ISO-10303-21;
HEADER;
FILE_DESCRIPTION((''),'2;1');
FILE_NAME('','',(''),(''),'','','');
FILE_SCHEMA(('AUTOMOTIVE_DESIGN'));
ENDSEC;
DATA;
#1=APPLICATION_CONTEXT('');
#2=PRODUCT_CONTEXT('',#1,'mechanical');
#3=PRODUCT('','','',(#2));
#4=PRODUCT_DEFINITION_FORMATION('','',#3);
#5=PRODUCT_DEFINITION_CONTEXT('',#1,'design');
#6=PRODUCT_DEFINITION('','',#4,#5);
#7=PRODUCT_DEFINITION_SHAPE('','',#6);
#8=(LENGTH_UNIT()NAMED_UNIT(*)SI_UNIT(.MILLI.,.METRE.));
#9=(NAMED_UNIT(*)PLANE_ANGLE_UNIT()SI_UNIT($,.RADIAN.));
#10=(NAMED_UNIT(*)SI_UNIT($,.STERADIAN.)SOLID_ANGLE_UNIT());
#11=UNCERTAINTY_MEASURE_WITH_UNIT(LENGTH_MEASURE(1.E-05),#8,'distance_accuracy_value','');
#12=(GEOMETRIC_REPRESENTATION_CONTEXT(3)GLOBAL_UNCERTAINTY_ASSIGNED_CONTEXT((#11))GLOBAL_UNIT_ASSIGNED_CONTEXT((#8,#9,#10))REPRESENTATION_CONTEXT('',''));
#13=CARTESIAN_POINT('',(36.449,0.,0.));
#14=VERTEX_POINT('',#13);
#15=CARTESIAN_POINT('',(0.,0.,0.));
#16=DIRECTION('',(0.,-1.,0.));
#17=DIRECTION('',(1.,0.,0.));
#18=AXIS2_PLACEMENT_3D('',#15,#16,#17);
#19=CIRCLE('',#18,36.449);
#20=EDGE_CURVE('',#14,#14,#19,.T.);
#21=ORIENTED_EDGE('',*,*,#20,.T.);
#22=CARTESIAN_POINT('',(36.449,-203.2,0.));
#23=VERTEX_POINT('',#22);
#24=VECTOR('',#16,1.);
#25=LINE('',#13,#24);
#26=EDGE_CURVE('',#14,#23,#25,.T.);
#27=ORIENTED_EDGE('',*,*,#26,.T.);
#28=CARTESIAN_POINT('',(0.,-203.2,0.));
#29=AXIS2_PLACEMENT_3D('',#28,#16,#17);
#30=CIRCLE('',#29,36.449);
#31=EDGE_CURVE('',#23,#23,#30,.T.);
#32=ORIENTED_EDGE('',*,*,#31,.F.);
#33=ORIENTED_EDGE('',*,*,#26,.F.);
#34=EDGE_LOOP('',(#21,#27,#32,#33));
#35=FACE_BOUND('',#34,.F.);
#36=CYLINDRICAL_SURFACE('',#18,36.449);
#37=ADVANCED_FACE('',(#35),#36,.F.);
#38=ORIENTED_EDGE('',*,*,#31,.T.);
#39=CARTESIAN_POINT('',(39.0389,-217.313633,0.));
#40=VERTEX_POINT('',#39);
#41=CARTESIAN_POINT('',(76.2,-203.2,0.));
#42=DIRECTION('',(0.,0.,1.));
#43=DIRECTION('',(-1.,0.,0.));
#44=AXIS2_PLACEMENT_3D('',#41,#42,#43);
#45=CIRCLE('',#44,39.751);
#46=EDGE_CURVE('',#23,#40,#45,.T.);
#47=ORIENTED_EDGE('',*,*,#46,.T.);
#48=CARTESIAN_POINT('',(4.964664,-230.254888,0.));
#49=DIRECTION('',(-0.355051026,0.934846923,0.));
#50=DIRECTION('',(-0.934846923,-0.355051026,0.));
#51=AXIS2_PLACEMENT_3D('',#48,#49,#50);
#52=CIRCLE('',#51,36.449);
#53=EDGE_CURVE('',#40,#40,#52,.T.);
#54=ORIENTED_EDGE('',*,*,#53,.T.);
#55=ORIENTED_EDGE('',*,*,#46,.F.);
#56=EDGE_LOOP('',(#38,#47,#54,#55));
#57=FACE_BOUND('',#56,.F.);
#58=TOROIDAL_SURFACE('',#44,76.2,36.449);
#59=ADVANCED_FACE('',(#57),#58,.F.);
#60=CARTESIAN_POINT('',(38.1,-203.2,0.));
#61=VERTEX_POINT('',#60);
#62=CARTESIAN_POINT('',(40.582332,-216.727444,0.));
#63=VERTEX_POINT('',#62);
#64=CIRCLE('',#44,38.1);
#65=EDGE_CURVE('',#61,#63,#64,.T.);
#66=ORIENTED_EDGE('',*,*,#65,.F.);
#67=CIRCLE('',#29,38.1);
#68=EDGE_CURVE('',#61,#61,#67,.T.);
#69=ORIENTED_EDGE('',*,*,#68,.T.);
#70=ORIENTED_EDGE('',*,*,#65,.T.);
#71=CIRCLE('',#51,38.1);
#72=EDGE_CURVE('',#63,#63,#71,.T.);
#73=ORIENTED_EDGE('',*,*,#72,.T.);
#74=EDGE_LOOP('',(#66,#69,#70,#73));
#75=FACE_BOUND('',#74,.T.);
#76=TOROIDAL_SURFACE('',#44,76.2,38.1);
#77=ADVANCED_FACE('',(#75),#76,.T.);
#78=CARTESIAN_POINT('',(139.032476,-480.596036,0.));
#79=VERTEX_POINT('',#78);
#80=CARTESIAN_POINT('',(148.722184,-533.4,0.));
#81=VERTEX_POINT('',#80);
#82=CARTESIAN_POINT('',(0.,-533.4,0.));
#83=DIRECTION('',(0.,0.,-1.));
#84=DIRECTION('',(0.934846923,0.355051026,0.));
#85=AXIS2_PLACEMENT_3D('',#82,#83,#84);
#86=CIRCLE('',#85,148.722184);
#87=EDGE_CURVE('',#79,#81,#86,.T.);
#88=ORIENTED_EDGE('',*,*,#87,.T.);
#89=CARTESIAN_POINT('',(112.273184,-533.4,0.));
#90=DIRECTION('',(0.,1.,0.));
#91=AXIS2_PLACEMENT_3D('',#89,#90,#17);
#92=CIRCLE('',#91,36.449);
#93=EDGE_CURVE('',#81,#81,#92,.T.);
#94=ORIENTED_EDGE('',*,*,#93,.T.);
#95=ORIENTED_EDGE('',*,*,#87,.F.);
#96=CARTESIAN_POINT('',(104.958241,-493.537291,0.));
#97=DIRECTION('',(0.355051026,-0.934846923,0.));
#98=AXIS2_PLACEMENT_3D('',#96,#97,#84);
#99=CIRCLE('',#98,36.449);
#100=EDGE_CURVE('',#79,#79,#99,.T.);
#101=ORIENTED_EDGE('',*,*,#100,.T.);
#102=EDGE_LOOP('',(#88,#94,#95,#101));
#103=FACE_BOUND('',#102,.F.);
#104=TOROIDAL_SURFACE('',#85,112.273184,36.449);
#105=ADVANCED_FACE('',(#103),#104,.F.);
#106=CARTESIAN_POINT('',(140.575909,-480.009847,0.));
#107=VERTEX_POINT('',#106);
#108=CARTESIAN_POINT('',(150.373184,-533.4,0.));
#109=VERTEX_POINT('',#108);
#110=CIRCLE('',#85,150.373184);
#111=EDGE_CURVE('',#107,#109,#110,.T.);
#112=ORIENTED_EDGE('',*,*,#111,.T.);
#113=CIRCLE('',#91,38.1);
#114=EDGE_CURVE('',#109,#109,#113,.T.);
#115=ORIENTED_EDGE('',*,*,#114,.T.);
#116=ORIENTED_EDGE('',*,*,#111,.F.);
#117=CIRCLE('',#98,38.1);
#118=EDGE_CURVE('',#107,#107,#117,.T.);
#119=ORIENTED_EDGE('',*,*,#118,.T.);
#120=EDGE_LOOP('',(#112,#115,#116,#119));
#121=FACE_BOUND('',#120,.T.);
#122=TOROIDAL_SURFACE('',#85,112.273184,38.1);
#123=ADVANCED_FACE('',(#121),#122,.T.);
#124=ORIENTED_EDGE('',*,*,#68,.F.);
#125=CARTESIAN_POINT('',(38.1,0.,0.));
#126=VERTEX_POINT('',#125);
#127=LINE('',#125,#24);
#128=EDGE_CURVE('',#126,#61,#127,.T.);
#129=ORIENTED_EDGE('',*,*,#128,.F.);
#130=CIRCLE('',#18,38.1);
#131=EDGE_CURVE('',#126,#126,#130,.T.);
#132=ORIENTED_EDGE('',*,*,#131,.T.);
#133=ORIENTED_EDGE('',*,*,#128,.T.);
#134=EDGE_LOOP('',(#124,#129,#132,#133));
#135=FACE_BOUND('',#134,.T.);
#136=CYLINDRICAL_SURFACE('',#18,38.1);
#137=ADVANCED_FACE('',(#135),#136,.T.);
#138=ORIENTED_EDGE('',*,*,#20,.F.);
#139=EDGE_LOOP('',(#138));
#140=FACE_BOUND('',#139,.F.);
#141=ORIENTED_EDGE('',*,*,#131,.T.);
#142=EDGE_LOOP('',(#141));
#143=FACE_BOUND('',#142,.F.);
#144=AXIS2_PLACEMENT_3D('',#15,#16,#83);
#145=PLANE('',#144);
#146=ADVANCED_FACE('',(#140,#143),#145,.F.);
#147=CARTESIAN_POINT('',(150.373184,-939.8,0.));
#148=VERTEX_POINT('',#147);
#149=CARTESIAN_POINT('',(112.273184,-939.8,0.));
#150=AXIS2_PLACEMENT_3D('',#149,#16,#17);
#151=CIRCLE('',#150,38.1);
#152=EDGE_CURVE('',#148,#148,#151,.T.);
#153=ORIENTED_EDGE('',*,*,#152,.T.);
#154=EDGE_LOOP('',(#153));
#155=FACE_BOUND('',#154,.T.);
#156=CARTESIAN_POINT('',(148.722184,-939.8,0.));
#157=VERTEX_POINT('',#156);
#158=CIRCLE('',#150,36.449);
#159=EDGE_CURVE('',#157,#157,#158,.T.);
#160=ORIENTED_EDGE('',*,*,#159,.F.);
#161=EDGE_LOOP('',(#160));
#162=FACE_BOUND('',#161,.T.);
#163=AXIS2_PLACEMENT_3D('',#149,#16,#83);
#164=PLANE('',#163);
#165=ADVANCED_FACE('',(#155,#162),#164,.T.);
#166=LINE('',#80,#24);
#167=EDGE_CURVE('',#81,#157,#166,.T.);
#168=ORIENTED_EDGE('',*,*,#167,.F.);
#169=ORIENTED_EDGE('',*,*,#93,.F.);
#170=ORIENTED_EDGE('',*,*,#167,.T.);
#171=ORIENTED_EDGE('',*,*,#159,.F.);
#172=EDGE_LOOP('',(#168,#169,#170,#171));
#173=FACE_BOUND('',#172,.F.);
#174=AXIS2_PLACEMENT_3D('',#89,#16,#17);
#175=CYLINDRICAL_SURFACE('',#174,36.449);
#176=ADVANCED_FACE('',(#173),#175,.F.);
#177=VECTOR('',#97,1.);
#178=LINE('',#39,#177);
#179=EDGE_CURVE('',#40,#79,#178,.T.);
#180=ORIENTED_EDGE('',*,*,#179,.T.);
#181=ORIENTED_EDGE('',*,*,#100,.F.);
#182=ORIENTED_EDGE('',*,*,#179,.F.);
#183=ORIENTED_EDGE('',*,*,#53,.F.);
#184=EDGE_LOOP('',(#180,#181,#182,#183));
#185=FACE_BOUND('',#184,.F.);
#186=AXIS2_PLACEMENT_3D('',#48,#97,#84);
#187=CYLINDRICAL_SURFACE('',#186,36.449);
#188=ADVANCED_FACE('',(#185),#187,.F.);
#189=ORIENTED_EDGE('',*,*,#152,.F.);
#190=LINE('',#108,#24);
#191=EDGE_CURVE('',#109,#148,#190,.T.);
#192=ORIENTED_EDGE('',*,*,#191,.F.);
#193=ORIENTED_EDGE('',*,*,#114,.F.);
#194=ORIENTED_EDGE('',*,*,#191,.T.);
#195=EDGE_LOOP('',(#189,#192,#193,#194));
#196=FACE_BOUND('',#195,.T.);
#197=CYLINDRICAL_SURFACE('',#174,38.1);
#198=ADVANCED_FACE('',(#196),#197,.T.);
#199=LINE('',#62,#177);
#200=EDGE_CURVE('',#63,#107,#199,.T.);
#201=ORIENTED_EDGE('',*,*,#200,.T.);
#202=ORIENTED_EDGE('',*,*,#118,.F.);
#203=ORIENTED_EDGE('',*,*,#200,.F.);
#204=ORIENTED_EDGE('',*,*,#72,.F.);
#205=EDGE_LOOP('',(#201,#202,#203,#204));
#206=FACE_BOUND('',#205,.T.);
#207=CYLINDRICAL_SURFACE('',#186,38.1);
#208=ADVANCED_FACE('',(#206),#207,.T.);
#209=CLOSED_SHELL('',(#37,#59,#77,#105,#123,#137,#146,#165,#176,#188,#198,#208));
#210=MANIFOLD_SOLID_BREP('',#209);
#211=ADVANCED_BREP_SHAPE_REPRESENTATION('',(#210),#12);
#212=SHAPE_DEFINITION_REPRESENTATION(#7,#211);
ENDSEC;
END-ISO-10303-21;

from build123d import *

# Parameters (mm, degrees)
F0_R   = 38.1
F0_R_2 = 36.449


with BuildPart() as f2:
    # F2: sweep along a path in F1
    with BuildLine(Plane.XY) as f2_path:
        Line((0, 0), (0, -203.2))
        ThreePointArc((0, -203.2), (1.2514424201, -216.9533165705), (4.96466448, -230.25488816))
        Line((4.96466448, -230.25488816), (104.9582407787, -493.537290784))
        ThreePointArc((104.9582407787, -493.537290784), (110.4293072401, -513.1358445557), (112.2731842133, -533.4))
        Line((112.2731842133, -533.4), (112.2731842133, -939.8))
    # F0 (on Front) → F2 (sweep)
    with BuildSketch(Plane.XZ):
        Circle(F0_R)
        Circle(F0_R_2, mode=Mode.SUBTRACT)
    sweep(path=f2_path.line)


solid = f2.part
